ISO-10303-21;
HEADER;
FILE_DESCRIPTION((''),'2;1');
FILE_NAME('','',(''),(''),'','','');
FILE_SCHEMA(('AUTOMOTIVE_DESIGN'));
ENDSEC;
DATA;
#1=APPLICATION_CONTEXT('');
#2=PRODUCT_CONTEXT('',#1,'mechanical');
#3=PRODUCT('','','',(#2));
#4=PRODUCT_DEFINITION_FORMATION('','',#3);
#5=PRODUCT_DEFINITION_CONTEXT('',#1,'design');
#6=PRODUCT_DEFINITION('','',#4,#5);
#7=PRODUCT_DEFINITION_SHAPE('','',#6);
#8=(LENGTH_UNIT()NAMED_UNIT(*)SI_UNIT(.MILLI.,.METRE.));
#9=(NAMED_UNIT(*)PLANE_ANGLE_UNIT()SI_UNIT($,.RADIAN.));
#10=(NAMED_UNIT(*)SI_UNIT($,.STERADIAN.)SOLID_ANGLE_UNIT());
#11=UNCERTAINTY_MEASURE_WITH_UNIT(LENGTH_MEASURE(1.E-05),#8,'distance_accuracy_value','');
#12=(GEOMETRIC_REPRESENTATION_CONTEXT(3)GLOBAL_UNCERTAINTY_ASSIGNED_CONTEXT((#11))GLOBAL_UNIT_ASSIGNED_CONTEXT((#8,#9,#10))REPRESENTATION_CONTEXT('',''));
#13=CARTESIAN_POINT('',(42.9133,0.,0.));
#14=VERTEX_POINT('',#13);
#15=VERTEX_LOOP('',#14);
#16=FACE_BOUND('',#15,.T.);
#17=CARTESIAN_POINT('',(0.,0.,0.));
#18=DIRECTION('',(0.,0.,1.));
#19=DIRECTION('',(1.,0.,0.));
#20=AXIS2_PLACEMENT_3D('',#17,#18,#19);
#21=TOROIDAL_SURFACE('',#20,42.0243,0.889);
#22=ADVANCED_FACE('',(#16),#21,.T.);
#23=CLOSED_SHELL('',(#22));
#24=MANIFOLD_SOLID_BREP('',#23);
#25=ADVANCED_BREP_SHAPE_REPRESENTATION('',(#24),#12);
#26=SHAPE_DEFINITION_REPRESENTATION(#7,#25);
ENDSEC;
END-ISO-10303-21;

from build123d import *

# Parameters (mm, degrees)
SKETCH1_R = 0.889


with BuildPart() as part:
    # Sketch1 → Revolve1 (revolve)
    with BuildSketch(Plane(origin=(0, 0, 0), x_dir=(0, -1, 0), z_dir=(1, 0, 0))):
        with Locations((42.0243, 0)):
            Circle(SKETCH1_R)
    revolve(axis=Axis((0, 0, 0.889), (0, 0, -1)))


solid = part.part
